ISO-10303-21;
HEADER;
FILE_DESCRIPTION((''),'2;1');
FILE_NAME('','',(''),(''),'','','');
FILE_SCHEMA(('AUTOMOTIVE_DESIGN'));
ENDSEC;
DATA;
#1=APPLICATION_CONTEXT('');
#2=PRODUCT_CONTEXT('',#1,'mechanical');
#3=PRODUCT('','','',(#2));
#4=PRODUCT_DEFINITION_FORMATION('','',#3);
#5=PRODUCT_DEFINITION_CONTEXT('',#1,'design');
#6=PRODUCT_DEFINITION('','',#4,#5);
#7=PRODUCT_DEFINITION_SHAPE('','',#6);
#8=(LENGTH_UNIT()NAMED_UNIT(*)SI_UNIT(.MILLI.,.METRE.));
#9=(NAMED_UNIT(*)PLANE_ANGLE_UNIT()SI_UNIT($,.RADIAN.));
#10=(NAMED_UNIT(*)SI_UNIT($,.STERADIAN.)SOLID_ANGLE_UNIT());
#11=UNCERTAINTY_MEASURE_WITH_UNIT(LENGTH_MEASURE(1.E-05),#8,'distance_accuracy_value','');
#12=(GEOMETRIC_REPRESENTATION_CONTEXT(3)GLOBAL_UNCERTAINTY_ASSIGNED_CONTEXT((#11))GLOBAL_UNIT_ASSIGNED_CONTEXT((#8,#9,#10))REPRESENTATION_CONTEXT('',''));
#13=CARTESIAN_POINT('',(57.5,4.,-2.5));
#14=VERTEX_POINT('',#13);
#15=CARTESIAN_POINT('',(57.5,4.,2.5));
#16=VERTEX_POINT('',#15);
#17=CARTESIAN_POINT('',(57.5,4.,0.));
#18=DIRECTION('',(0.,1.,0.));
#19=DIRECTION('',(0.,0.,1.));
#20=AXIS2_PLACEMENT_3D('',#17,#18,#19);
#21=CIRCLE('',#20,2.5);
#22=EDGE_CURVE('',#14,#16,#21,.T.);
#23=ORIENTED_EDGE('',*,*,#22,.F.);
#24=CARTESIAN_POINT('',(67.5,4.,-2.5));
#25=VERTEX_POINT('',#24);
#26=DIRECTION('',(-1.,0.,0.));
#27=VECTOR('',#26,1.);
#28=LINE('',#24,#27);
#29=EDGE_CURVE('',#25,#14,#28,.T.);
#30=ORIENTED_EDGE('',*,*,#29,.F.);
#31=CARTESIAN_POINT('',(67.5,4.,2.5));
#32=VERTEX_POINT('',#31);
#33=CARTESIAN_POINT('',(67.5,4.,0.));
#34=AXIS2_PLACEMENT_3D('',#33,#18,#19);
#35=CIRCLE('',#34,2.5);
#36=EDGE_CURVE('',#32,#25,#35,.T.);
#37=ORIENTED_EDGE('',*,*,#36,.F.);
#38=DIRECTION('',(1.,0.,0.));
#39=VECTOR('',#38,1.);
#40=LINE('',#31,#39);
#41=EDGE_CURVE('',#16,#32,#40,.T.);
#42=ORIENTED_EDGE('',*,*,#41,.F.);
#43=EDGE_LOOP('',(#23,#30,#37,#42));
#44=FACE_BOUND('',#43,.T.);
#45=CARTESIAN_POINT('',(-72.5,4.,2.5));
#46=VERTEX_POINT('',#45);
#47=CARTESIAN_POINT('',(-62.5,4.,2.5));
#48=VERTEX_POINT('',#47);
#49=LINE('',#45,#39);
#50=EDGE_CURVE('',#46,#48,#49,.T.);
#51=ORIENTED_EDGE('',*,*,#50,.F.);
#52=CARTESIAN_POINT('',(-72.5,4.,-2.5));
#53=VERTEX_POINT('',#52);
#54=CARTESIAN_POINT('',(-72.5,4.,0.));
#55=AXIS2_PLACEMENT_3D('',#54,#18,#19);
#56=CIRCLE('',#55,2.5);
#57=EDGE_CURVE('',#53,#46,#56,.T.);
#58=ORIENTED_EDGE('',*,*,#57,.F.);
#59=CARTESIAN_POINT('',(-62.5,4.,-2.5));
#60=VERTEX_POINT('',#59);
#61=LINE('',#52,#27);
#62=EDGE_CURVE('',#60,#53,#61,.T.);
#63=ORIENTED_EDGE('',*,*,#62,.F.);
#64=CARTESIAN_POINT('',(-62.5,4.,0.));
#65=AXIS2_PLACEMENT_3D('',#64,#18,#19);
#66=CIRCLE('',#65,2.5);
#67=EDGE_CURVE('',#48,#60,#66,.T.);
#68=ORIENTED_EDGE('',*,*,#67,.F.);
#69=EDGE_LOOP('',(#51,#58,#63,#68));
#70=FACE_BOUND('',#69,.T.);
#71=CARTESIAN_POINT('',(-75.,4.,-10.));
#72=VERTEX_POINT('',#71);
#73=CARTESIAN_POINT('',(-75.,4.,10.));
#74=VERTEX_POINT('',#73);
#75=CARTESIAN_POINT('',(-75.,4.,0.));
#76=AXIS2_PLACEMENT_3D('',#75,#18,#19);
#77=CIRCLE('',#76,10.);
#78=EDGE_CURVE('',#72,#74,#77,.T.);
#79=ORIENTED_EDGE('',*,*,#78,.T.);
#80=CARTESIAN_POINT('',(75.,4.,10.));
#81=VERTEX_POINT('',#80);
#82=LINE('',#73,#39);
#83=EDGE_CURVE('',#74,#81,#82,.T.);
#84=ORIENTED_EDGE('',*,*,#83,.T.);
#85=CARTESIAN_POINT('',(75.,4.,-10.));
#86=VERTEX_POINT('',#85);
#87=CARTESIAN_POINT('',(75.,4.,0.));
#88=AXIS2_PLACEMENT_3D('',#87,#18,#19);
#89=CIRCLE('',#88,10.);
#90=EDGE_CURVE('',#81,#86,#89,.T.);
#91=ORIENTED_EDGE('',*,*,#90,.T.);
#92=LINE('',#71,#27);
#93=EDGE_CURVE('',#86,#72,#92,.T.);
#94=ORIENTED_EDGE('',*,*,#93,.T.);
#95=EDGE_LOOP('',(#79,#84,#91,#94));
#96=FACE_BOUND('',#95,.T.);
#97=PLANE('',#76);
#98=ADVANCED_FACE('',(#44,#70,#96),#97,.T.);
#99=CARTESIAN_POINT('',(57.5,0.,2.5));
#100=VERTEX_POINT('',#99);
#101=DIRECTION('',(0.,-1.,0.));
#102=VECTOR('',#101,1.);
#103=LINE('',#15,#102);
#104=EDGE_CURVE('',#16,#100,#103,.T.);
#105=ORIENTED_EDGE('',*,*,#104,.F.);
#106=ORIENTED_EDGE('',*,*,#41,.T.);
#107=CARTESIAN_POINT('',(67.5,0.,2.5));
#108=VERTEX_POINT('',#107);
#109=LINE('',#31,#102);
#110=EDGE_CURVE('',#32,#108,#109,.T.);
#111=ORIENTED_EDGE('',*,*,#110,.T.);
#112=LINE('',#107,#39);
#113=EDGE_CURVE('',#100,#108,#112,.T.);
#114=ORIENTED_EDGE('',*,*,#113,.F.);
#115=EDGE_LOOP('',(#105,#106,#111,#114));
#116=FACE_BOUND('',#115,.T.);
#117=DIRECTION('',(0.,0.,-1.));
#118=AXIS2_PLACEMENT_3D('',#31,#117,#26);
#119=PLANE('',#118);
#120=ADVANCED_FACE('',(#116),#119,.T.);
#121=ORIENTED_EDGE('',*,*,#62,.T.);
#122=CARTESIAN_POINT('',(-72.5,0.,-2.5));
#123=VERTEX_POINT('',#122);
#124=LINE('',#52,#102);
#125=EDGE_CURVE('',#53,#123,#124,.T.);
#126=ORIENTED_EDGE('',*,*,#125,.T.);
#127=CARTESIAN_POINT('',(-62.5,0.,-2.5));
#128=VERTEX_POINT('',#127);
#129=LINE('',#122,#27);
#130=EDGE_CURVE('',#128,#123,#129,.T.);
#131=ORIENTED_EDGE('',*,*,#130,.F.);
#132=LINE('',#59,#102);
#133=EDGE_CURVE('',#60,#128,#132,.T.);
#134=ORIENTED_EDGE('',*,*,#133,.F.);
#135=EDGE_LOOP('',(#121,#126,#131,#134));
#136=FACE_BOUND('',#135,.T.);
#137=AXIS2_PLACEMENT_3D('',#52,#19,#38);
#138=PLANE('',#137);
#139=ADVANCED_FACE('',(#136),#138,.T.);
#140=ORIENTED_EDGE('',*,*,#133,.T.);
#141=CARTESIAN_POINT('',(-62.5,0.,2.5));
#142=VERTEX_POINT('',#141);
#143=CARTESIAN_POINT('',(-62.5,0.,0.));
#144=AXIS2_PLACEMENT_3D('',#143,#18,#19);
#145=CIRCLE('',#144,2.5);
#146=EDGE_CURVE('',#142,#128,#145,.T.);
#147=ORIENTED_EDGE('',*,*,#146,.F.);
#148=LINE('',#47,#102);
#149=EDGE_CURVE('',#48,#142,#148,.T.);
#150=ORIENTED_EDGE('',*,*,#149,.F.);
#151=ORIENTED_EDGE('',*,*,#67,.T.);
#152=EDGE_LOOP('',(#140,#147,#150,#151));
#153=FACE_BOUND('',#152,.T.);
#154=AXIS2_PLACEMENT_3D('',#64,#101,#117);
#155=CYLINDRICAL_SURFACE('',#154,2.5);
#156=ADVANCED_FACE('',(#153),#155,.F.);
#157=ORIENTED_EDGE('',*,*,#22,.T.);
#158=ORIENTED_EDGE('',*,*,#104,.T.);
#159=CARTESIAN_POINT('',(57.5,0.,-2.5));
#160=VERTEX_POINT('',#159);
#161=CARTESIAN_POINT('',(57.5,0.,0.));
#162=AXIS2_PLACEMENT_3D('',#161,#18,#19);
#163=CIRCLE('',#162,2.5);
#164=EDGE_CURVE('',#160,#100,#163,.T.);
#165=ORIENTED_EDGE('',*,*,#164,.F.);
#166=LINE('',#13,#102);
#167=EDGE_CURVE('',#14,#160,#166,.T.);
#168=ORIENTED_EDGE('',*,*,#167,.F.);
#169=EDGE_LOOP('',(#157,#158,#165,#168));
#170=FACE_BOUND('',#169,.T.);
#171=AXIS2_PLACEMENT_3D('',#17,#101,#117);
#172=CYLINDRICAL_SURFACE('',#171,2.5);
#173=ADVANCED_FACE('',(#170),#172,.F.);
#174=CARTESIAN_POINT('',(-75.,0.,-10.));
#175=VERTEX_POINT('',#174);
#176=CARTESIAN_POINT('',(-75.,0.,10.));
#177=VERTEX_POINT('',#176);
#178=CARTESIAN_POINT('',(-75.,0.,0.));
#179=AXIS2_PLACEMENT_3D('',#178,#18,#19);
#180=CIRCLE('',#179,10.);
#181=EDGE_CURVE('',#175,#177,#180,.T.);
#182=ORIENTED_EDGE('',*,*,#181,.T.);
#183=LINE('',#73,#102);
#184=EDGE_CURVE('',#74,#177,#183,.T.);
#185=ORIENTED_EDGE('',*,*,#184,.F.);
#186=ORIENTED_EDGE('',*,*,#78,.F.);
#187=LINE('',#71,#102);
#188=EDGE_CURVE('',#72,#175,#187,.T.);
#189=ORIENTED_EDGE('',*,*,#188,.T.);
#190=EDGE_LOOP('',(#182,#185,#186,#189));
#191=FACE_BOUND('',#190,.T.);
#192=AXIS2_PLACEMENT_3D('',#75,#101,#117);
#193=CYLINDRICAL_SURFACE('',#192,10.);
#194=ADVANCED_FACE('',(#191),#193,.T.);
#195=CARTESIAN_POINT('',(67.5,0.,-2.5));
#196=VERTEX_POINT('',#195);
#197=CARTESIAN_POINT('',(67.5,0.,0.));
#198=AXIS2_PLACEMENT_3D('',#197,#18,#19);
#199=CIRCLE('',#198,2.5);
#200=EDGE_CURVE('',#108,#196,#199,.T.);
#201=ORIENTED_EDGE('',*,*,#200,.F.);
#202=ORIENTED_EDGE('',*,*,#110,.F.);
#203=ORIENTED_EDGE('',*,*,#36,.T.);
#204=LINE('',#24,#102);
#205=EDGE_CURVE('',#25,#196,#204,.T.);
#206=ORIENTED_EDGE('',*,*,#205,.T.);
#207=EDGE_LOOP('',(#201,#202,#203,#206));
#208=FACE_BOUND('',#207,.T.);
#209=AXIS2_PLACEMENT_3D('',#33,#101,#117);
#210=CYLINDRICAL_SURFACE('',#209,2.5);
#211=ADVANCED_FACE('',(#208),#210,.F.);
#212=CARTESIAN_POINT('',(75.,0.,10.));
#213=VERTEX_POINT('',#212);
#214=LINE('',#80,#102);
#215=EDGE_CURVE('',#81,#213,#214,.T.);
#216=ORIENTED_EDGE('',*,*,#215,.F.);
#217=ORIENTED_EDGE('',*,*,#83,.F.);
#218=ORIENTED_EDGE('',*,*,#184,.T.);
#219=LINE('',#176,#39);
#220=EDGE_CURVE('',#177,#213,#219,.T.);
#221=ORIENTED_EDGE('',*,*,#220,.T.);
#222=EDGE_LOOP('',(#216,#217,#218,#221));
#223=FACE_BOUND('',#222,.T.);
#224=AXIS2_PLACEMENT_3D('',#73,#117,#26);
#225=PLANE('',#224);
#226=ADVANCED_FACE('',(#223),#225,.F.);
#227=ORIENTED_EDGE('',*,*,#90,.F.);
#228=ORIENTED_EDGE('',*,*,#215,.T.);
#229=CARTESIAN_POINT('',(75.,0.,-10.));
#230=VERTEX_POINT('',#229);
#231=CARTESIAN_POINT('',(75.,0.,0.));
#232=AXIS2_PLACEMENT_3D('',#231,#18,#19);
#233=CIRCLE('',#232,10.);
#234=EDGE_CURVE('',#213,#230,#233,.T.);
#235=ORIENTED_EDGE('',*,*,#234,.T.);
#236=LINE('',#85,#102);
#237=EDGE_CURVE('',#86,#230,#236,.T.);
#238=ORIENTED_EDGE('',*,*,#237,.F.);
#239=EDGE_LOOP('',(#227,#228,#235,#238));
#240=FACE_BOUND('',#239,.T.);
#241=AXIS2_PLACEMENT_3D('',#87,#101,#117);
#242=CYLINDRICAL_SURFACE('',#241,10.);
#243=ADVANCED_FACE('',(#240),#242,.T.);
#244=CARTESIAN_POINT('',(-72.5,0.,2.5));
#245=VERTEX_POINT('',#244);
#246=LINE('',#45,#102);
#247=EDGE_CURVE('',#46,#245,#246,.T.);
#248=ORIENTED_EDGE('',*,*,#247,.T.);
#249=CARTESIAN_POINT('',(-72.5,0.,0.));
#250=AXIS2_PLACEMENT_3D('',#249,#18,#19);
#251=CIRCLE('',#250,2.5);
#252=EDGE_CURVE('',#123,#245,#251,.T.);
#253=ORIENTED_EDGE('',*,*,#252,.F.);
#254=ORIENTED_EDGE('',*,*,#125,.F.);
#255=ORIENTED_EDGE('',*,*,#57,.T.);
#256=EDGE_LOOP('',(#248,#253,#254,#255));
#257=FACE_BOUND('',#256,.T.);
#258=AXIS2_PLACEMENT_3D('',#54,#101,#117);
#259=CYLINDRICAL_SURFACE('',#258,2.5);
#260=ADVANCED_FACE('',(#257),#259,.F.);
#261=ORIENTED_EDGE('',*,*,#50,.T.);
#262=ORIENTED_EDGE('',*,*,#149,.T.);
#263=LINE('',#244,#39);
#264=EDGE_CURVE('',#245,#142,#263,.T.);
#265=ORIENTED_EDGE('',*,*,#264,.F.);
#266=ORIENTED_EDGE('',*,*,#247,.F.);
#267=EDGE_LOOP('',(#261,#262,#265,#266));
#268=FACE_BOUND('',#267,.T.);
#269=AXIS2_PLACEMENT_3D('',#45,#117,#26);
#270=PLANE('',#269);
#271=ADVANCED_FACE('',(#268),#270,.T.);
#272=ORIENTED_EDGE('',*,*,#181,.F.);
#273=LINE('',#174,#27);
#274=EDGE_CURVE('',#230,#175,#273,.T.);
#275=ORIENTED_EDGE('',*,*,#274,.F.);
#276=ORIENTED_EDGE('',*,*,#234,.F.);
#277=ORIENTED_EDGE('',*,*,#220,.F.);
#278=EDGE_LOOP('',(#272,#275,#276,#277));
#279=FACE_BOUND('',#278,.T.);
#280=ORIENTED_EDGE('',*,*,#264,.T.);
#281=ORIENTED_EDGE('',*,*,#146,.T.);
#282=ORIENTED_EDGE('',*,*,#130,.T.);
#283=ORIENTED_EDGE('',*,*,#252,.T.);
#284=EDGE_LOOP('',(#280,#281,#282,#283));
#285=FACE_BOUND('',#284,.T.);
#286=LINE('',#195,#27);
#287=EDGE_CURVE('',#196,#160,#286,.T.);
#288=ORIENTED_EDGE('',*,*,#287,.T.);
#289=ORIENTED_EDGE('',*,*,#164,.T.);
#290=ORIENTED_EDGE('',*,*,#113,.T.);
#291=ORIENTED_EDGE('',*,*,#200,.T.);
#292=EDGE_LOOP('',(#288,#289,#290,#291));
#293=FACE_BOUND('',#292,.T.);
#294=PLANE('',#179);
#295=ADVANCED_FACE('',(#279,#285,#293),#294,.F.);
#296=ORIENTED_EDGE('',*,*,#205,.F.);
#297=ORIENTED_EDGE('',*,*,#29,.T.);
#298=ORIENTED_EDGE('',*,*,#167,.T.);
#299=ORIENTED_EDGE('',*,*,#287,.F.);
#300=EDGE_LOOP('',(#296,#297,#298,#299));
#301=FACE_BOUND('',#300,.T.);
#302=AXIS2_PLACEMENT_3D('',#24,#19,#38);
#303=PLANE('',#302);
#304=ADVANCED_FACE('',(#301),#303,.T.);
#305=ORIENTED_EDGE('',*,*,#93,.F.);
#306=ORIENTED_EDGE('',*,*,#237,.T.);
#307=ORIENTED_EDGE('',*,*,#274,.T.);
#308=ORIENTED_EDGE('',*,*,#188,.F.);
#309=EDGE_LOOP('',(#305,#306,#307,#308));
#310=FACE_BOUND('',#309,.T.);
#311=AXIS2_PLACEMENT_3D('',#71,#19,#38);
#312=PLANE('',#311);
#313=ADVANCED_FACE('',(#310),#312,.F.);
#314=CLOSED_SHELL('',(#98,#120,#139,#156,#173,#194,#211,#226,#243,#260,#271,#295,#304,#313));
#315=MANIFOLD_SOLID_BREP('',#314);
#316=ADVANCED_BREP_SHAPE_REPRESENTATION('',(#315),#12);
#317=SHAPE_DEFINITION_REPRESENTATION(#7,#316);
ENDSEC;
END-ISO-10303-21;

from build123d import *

# Parameters (mm, degrees)
BOSS_EXTRUDE1_DEPTH = 4


with BuildPart() as part:
    # Sketch1 → Boss-Extrude1 (new body)
    with BuildSketch(Plane(origin=(0, 0, 0), x_dir=(1, 0, 0), z_dir=(0, 1, 0))):
        with BuildLine():
            Line((-75, 10), (75, 10))
            ThreePointArc((75, 10), (85, 0), (75, -10))
            Line((75, -10), (-75, -10))
            ThreePointArc((-75, -10), (-85, 0), (-75, 10))
        make_face()
        with BuildLine():
            Line((-72.5, 2.5), (-62.5, 2.5))
            ThreePointArc((-62.5, 2.5), (-60, 0), (-62.5, -2.5))
            Line((-62.5, -2.5), (-72.5, -2.5))
            ThreePointArc((-72.5, -2.5), (-75, 0), (-72.5, 2.5))
        make_face(mode=Mode.SUBTRACT)
        with BuildLine():
            Line((67.5, -2.5), (57.5, -2.5))
            ThreePointArc((57.5, -2.5), (55, 0), (57.5, 2.5))
            Line((57.5, 2.5), (67.5, 2.5))
            ThreePointArc((67.5, 2.5), (70, 0), (67.5, -2.5))
        make_face(mode=Mode.SUBTRACT)
    extrude(amount=BOSS_EXTRUDE1_DEPTH)


solid = part.part
